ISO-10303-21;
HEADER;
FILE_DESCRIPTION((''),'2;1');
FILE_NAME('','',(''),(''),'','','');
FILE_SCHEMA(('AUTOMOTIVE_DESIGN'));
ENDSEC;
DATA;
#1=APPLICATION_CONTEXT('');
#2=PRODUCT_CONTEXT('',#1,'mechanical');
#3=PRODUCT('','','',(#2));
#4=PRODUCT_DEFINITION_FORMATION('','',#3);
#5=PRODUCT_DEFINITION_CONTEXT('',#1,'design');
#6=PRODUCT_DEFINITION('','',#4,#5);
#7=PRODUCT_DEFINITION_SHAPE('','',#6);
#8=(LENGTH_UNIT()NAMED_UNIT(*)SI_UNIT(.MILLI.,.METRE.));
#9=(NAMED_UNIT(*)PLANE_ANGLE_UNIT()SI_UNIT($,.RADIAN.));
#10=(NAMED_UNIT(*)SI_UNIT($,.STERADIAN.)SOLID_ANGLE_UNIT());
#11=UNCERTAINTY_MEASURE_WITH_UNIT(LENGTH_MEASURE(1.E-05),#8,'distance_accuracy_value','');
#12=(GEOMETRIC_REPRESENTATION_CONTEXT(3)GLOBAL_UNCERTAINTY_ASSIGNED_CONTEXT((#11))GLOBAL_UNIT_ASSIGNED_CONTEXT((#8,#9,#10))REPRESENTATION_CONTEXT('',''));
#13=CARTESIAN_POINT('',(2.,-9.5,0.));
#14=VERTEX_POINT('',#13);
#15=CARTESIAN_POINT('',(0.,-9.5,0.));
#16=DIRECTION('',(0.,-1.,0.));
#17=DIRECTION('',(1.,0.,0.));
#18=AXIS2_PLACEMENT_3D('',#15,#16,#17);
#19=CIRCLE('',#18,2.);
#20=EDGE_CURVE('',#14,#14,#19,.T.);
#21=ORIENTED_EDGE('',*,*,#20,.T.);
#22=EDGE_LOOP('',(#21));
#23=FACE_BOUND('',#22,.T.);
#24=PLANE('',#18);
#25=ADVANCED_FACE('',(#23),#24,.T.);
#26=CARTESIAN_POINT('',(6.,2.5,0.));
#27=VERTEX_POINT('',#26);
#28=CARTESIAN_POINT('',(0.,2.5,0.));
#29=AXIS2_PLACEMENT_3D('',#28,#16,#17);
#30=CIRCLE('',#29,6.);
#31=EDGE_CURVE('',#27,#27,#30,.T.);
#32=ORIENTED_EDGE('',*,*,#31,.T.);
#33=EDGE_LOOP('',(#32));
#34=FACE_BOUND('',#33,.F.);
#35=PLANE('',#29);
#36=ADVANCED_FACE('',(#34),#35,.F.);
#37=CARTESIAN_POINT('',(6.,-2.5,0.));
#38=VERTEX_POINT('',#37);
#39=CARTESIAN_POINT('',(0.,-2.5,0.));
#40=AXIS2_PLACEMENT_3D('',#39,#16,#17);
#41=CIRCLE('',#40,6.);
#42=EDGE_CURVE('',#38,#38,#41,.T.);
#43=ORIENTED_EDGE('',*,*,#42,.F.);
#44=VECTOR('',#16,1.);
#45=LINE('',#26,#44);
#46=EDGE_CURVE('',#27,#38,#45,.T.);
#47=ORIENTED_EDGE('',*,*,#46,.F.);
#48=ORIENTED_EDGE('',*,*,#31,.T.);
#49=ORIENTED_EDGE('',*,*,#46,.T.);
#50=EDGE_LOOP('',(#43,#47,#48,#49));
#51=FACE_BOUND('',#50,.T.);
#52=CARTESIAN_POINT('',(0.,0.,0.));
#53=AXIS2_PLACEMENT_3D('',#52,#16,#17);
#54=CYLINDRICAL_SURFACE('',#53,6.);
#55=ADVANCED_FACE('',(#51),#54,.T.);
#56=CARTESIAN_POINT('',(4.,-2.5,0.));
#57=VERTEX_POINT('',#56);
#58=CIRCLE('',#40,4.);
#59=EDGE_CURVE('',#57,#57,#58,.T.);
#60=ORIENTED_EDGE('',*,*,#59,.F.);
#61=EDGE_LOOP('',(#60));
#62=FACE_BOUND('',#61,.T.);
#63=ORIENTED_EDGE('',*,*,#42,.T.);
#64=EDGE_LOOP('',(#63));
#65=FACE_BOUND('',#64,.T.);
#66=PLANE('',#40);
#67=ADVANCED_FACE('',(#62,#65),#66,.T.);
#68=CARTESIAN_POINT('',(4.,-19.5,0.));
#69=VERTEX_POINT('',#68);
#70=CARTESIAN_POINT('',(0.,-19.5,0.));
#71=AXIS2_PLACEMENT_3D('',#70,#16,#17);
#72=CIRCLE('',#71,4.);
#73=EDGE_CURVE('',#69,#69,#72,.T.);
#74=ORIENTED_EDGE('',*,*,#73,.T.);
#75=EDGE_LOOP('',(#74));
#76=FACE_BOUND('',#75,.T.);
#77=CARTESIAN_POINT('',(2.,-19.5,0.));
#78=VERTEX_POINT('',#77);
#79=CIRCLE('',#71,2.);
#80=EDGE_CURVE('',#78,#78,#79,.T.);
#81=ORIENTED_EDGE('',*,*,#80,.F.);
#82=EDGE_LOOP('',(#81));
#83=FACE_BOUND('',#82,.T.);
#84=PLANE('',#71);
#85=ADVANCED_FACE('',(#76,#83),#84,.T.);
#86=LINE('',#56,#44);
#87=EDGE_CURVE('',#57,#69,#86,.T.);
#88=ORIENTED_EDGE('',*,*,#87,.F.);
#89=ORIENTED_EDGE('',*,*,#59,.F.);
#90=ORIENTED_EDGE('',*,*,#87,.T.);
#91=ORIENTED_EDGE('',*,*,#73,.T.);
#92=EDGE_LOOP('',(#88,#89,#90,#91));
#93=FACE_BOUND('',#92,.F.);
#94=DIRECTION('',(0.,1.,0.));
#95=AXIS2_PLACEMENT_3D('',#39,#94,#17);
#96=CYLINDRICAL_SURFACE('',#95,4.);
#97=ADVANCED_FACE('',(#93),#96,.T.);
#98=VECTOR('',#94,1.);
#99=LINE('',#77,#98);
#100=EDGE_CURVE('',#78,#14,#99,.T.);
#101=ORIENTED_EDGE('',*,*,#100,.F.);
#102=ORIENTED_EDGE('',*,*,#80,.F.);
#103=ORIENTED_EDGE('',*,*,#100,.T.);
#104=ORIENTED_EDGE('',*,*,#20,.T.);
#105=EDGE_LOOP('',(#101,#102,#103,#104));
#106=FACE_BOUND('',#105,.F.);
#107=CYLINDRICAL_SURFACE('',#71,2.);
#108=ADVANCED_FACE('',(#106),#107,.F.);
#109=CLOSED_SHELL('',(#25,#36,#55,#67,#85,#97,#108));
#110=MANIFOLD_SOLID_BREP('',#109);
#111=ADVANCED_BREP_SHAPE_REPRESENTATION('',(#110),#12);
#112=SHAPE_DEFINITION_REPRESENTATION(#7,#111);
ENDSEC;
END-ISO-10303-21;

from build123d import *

# Parameters (mm, degrees)
F0_R     = 6
F1_DEPTH = 2.5
F2_R     = 4
F3_DEPTH = 17
F4_R     = 2
F5_DEPTH = 10


with BuildPart() as f1:
    # F0 (on Front) → F1 (new body, symmetric)
    with BuildSketch(Plane.XZ):
        Circle(F0_R)
    extrude(amount=F1_DEPTH, both=True)

    # F2 (on face) → F3 (join)
    with BuildSketch(Plane.XZ.offset(2.5)):
        Circle(F2_R)
    extrude(amount=F3_DEPTH)

    # F4 (on face) → F5 (cut)
    with BuildSketch(Plane.XZ.offset(19.5)):
        Circle(F4_R)
    extrude(amount=-F5_DEPTH, mode=Mode.SUBTRACT)


solid = f1.part
